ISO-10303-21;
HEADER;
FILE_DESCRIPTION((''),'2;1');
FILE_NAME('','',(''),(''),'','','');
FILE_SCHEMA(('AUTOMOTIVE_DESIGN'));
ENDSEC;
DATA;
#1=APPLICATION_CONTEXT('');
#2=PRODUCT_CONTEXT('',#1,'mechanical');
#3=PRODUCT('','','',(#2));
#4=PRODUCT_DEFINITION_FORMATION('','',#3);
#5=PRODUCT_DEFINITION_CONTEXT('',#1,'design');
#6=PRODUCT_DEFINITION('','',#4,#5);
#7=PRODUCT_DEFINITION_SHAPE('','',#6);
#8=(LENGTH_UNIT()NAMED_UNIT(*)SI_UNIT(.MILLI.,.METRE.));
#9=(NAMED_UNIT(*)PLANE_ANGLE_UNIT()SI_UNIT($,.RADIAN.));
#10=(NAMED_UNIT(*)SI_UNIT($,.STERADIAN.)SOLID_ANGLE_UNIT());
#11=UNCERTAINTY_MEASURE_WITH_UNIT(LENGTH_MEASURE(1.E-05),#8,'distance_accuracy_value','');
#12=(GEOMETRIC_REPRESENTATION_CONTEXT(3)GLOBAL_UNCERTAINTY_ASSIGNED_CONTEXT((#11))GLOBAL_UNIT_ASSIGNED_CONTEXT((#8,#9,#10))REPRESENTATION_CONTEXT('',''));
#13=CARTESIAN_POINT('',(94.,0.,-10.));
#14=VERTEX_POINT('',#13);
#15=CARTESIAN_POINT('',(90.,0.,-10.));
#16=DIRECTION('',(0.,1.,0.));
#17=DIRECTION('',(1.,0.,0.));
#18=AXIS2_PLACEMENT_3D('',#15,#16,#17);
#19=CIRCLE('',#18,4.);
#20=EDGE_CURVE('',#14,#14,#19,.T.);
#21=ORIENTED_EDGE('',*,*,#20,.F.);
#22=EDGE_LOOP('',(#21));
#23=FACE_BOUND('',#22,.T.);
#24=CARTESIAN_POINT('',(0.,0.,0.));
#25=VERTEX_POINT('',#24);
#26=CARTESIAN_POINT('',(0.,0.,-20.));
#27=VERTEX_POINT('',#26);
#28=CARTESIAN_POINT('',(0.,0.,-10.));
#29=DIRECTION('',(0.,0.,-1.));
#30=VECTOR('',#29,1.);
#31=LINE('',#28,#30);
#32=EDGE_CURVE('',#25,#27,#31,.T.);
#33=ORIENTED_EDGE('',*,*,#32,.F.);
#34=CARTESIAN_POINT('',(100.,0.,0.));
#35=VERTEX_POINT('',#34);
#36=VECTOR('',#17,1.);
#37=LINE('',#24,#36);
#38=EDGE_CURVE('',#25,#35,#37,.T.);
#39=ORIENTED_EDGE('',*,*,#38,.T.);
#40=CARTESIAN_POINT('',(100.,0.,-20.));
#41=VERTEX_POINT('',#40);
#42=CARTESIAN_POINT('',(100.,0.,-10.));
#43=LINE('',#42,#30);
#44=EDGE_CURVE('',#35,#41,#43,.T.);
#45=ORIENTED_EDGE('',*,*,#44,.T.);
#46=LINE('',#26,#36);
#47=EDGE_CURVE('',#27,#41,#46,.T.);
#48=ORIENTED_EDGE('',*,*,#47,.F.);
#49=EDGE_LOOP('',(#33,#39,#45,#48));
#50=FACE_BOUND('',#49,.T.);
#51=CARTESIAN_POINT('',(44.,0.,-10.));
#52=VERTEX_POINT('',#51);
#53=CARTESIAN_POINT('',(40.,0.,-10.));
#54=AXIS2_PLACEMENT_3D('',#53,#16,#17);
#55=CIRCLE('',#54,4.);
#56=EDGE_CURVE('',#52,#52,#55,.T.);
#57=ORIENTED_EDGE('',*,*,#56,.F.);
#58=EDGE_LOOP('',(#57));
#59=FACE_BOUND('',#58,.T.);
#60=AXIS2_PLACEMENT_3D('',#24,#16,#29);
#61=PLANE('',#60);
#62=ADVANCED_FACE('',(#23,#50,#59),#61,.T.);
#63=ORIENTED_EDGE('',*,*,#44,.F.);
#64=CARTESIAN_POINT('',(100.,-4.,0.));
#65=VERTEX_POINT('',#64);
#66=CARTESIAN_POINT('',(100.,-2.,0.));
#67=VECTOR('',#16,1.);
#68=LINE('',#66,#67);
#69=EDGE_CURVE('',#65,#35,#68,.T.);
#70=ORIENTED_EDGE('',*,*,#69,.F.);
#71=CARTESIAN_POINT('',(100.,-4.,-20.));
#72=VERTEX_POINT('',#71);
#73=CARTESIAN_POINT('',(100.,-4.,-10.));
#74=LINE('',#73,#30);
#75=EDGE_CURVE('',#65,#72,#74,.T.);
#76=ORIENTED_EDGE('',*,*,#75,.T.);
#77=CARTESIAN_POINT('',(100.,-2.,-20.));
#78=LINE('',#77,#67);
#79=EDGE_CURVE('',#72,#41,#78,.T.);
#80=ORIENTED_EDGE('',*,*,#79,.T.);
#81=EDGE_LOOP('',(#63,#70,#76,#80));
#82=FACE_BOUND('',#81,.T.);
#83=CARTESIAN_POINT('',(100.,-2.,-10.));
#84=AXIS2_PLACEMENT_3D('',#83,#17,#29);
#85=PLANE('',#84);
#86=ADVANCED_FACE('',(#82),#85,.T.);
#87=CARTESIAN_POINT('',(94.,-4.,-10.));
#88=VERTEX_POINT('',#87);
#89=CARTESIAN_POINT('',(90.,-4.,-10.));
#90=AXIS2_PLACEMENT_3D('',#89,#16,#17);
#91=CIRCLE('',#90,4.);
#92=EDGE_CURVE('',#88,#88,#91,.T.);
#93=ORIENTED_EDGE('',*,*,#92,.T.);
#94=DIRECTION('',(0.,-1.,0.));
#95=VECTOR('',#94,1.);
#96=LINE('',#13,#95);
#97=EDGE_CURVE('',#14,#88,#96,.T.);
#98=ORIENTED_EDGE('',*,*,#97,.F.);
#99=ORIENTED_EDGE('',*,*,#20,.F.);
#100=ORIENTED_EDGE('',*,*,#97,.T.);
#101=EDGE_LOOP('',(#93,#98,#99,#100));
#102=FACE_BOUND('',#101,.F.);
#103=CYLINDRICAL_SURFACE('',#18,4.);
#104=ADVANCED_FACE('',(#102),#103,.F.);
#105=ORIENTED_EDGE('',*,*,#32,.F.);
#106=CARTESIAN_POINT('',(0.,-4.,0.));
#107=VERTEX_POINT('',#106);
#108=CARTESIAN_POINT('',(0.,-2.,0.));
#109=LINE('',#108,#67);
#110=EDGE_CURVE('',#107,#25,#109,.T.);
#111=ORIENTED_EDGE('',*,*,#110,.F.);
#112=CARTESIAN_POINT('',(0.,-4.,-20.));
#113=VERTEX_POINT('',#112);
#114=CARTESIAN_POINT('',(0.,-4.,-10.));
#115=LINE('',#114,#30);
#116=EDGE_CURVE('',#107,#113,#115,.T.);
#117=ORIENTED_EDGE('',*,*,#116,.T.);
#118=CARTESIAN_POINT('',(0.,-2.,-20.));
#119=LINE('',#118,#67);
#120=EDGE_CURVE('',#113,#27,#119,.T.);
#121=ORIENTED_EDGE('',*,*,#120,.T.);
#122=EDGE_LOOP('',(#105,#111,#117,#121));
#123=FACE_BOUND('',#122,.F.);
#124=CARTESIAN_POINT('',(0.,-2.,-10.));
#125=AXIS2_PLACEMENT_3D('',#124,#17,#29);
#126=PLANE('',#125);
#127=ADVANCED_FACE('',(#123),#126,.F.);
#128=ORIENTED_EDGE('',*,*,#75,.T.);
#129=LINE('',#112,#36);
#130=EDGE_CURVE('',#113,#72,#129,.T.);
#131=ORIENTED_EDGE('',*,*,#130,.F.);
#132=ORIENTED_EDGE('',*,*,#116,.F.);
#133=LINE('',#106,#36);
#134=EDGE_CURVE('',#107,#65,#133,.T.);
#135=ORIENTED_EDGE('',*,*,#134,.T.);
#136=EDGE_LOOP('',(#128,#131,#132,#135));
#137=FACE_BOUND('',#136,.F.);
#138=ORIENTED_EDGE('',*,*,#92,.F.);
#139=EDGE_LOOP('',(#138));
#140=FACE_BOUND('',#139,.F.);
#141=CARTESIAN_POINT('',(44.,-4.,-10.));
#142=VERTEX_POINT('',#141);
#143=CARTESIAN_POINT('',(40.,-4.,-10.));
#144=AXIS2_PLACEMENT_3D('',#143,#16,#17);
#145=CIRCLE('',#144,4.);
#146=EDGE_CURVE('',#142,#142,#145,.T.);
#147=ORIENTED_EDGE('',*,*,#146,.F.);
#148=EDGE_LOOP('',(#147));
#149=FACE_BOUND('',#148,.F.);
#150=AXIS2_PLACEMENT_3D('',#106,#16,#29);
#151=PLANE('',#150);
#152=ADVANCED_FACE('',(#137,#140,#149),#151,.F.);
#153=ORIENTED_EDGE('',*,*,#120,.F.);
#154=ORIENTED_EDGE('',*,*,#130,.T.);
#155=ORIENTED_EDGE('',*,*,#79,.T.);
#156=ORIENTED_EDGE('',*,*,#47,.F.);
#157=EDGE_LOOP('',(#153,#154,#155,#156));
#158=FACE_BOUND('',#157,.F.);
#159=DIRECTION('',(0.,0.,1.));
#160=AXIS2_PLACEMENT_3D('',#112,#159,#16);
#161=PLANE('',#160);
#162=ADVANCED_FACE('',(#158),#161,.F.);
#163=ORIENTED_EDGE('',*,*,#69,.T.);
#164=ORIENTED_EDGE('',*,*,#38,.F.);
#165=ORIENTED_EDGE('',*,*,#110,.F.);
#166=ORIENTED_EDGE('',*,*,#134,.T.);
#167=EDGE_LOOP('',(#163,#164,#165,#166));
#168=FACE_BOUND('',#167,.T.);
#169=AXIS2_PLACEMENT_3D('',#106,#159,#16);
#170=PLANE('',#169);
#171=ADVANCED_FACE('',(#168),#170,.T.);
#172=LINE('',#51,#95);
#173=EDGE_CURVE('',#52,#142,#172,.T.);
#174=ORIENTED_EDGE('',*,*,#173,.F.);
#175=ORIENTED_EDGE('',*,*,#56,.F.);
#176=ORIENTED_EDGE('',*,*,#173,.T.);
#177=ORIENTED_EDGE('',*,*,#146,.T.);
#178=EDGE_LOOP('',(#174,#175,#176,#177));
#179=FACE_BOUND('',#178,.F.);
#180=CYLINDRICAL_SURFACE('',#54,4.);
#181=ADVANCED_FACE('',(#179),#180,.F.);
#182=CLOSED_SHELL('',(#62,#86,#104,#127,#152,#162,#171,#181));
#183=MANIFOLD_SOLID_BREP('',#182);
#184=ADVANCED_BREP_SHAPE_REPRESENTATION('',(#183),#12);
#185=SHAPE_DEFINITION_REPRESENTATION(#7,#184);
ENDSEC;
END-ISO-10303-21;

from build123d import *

# Parameters (mm, degrees)
SKETCH_1_W          = 20
SKETCH_1_H          = 4
EXTRUDE_1_DEPTH     = 100
SKETCH_2_R          = 4
CUT_EXTRUDE_1_DEPTH = 5


with BuildPart() as part:
    # Эскиз1 → Вытянуть-Тонкостенный1 (new body)
    with BuildSketch(Plane(origin=(0, 0, 0), x_dir=(0, 0, -1), z_dir=(1, 0, 0))):
        with Locations((10, -2)):
            Rectangle(SKETCH_1_W, SKETCH_1_H)
    extrude(amount=EXTRUDE_1_DEPTH)

    # Эскиз2 → Вырез-Вытянуть1 (cut, through all)
    with BuildSketch(Plane(origin=(0, 0, 0), x_dir=(1, 0, 0), z_dir=(0, 1, 0))):
        with Locations((90, 10)):
            Circle(SKETCH_2_R)
        with Locations((40, 10)):
            Circle(SKETCH_2_R)
    extrude(amount=-CUT_EXTRUDE_1_DEPTH, mode=Mode.SUBTRACT)


solid = part.part
